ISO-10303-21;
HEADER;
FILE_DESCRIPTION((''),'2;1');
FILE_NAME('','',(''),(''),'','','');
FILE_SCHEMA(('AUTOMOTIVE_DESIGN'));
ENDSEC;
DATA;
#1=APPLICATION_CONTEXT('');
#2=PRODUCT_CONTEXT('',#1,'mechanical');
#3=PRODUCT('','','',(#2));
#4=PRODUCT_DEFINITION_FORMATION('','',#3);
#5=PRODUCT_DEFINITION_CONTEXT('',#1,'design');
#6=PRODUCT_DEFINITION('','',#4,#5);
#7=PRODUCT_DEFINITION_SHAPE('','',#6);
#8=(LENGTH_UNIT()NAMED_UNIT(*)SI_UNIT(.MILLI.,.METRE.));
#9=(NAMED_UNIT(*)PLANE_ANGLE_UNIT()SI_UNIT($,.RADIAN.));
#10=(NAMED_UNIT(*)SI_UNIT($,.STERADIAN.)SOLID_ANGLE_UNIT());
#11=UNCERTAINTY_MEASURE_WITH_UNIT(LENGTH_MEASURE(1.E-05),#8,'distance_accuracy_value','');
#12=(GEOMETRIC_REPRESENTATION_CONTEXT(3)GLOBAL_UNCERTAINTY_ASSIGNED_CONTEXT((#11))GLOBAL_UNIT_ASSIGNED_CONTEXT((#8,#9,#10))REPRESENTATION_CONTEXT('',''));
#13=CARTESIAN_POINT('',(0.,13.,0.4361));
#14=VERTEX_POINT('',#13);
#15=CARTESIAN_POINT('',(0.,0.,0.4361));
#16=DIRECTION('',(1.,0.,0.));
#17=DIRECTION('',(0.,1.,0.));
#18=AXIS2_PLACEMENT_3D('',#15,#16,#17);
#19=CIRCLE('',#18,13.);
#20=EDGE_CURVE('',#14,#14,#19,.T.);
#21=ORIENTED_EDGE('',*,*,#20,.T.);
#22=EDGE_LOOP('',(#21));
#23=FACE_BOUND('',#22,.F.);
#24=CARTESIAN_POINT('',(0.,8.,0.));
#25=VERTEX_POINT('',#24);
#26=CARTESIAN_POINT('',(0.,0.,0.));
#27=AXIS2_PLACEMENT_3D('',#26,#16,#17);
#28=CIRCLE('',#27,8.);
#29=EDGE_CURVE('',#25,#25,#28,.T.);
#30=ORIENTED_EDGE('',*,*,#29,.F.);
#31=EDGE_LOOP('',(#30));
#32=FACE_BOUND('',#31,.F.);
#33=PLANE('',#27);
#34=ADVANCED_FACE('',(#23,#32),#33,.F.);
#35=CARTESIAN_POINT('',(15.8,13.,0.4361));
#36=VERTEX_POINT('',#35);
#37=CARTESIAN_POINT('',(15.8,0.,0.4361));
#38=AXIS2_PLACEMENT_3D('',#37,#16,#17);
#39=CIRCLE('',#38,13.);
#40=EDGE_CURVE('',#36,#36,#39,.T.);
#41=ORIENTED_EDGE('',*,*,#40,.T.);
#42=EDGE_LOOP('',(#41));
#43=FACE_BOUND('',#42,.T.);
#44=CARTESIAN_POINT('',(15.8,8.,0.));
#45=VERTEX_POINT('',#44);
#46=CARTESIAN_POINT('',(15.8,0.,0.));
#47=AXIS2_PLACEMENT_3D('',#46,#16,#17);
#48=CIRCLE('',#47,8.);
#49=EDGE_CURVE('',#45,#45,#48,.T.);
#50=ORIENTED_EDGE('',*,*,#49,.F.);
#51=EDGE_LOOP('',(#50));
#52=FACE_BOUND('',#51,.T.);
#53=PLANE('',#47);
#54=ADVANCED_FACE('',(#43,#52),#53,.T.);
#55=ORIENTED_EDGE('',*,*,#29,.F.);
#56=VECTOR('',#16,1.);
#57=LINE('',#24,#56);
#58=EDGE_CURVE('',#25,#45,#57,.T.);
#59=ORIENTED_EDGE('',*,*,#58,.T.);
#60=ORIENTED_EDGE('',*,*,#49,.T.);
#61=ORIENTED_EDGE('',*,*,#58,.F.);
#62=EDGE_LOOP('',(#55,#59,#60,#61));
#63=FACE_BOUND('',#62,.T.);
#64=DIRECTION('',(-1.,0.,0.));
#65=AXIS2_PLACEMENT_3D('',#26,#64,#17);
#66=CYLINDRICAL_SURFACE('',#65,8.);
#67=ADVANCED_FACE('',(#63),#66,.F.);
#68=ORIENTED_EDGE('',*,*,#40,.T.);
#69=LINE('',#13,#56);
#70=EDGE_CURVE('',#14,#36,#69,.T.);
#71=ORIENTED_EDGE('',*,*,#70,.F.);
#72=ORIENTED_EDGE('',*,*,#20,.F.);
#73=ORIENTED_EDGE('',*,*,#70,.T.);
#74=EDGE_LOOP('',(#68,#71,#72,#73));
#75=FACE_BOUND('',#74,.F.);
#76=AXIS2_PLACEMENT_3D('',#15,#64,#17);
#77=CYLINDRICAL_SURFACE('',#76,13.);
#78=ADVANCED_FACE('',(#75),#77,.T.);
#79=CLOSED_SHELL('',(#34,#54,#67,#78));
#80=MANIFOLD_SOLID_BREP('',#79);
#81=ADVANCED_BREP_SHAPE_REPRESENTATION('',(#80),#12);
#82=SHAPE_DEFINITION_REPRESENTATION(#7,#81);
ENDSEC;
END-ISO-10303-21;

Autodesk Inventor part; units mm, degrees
ref_plane "YZ Plane" through (0, 0, 0) normal (1, 0, 0) x (0, 1, 0)
ref_plane "XZ Plane" through (0, 0, 0) normal (0, 1, 0) x (-1, 0, 0)
ref_plane "XY Plane" through (0, 0, 0) normal (0, 0, 1) x (1, 0, 0)
sketch "Sketch1" plane through (0, 0, 0) normal (1, 0, 0) x (0, 1, 0)
  circle A0 centre (0, 0) radius 8
  circle A1 centre (0, 0.4361) radius 13
  dimension "d0" = 26
  dimension "d1" = 16
extrude "Extrusion1" add sketch "Sketch1" along normal blind 15.8
properties part number "bushing"
